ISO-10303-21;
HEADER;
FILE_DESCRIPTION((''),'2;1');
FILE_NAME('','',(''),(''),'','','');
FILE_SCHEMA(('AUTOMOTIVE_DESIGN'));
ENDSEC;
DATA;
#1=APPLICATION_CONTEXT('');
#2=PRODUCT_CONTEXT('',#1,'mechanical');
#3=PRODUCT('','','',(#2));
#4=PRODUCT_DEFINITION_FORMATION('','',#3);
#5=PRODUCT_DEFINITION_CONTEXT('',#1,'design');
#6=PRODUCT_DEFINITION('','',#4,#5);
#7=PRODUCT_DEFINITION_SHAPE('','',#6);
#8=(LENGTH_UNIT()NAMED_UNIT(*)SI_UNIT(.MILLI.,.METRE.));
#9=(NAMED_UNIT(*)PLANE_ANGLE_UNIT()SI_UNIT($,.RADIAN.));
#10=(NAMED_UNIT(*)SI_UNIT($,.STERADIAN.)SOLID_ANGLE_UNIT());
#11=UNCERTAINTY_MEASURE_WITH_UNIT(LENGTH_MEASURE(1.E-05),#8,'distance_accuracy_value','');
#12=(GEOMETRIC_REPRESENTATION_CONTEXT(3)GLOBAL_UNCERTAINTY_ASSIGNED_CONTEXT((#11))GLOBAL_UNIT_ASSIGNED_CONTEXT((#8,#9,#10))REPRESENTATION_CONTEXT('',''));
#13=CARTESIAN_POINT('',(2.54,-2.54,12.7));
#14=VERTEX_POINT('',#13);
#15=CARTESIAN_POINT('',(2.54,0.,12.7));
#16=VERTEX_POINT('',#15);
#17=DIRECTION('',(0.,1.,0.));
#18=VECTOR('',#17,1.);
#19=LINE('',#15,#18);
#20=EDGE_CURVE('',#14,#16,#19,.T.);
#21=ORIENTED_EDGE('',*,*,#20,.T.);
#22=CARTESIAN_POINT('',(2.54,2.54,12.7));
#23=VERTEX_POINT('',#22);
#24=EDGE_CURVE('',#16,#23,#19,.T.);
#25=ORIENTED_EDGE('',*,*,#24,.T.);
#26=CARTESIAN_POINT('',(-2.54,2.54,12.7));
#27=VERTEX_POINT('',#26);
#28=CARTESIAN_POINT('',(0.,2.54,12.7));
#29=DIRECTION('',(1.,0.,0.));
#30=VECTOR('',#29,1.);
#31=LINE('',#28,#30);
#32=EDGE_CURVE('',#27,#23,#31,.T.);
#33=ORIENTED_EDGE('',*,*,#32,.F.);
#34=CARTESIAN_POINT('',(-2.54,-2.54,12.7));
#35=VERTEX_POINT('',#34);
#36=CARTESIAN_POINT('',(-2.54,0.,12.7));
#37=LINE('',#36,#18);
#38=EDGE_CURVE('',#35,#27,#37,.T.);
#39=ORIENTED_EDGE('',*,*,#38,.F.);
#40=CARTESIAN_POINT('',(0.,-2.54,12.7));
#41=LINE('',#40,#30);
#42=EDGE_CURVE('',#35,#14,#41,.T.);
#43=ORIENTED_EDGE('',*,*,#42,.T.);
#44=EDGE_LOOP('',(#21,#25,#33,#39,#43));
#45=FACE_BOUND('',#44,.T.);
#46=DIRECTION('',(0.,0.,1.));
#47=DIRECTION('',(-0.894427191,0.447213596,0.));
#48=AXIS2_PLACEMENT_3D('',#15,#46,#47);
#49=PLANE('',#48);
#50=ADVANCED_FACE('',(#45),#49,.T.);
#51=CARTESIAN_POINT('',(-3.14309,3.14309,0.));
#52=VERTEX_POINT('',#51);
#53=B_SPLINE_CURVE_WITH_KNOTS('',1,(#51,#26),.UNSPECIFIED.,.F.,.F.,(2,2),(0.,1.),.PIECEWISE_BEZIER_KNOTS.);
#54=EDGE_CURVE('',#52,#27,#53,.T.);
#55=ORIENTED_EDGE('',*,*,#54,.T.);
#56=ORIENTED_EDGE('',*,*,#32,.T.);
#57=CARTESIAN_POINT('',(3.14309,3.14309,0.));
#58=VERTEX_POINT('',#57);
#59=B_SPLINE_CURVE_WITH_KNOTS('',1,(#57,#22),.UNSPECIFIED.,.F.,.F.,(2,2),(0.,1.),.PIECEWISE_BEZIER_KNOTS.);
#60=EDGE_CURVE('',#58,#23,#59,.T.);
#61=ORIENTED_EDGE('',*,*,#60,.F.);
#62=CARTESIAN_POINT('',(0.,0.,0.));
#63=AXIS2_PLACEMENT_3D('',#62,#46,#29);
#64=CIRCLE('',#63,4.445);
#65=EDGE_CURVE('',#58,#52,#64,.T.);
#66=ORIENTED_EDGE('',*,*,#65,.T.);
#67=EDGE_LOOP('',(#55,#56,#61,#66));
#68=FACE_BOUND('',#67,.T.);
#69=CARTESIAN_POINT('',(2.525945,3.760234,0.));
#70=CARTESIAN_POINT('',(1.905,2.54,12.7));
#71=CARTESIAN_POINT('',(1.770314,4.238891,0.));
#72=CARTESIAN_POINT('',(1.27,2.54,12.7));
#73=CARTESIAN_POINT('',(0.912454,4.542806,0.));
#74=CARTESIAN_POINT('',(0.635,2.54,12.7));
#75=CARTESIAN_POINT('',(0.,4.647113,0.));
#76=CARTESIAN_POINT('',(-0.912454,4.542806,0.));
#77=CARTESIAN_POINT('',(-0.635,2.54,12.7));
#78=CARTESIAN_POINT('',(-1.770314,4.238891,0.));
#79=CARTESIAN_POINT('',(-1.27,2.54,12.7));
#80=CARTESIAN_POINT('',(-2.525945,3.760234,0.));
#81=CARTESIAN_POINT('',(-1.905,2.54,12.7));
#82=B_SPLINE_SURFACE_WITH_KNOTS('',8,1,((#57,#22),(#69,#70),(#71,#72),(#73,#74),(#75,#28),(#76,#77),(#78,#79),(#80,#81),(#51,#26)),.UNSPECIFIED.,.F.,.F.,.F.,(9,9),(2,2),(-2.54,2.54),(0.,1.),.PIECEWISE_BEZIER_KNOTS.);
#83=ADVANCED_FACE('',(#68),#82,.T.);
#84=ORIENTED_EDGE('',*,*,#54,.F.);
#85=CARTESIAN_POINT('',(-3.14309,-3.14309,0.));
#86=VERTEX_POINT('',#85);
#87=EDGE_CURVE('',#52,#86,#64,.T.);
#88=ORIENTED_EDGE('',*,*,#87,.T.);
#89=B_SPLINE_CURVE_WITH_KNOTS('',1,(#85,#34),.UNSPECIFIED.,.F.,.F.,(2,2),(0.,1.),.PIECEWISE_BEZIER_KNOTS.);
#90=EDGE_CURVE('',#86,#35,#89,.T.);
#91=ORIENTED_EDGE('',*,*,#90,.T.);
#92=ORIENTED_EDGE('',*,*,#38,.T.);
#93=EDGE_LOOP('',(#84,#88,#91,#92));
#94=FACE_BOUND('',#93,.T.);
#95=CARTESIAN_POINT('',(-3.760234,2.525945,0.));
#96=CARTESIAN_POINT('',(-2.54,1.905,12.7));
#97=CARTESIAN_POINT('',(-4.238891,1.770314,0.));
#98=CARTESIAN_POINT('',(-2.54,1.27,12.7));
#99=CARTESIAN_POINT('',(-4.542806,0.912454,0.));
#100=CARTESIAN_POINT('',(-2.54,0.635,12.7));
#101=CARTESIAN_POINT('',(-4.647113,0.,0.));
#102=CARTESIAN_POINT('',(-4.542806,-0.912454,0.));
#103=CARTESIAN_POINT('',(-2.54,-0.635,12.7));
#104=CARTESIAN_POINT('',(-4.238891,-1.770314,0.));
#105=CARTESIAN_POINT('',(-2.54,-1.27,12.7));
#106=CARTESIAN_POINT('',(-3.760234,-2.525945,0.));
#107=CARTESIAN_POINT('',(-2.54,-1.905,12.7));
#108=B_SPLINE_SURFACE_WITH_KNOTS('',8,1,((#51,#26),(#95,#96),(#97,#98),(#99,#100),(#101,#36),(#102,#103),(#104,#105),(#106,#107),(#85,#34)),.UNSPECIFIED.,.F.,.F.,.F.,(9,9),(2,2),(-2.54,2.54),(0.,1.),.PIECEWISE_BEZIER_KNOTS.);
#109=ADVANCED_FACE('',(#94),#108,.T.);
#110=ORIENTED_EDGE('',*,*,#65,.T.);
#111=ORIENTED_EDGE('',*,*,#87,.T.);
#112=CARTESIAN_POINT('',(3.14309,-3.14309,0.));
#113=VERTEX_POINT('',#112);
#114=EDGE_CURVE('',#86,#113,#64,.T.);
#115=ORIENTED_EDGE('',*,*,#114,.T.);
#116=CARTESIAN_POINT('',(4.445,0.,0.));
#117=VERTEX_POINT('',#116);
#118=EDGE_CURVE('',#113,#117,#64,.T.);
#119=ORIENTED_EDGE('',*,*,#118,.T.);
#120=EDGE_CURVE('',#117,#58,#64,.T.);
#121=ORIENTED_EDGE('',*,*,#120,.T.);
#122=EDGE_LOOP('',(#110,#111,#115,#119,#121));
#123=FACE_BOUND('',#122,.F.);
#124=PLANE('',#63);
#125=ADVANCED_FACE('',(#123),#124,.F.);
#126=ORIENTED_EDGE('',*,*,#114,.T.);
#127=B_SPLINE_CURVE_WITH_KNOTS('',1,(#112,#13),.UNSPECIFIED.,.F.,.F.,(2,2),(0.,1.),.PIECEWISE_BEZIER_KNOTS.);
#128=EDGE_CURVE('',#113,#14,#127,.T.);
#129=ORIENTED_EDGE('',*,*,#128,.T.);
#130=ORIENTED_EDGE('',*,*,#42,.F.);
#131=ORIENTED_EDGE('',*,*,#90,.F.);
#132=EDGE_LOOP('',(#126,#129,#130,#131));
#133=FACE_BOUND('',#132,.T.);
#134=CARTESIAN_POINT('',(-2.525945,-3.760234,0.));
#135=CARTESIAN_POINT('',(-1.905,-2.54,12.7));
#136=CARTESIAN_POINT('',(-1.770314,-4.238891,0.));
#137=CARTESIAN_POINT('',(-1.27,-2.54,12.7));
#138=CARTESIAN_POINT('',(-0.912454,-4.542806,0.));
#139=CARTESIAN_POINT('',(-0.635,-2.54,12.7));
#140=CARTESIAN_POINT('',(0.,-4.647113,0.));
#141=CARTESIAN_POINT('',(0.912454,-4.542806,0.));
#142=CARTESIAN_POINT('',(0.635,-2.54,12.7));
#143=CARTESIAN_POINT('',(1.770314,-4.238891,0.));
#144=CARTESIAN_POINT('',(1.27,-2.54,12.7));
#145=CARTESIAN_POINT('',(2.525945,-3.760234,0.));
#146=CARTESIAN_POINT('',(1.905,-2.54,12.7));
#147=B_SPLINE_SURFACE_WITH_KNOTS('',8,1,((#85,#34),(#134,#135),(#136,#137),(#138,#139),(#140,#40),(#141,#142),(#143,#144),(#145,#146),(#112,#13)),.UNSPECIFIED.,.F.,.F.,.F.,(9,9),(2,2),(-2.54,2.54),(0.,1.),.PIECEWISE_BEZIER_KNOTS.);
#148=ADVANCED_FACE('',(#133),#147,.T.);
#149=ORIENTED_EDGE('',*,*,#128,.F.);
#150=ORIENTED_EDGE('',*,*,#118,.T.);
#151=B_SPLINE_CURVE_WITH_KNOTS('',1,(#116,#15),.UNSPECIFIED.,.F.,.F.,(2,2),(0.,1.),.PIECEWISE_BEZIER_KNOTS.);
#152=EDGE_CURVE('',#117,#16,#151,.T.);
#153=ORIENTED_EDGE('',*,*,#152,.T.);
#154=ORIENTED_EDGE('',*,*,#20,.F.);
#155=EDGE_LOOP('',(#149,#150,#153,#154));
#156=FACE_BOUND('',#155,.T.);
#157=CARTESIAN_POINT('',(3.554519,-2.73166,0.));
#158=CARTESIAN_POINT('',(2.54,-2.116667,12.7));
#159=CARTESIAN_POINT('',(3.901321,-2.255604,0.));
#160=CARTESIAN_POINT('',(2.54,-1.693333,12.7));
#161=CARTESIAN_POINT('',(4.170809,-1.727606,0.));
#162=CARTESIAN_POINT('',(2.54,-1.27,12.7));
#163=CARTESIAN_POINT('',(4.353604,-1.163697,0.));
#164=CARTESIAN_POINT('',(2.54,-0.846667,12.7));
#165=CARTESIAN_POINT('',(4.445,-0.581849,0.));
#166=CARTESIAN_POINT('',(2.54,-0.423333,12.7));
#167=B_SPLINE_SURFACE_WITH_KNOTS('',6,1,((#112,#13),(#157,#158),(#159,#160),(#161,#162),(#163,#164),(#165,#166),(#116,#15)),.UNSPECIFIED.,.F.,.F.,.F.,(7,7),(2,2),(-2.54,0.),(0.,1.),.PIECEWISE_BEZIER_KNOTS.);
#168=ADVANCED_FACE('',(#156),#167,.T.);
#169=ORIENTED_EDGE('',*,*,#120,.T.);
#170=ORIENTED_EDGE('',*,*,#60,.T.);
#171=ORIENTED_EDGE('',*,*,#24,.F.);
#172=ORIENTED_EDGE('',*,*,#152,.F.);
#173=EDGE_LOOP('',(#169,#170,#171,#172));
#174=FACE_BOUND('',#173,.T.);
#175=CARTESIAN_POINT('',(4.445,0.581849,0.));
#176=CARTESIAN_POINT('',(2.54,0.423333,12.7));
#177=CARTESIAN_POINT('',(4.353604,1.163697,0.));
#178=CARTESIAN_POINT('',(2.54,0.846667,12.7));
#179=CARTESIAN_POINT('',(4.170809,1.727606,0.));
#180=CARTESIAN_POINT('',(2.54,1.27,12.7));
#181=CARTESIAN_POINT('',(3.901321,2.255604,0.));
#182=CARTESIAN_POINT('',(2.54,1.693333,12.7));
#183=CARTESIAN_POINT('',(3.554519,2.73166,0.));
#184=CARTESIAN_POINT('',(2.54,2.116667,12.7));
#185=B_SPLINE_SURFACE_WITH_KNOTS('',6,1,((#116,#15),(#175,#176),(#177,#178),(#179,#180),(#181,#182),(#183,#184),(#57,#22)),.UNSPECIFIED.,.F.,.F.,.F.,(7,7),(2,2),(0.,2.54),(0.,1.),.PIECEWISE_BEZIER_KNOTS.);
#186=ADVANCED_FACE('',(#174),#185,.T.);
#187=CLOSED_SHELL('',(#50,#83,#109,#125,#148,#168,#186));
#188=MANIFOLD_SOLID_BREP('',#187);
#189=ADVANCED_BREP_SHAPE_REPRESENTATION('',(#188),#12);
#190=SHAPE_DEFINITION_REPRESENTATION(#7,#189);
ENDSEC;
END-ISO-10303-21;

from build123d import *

# Parameters (mm, degrees)
F0_R = 4.445
F2_W = 5.08
F2_H = 5.08


with BuildPart() as f3:
    # F0 (on Top) → F3 section 0
    with BuildSketch(Plane.XY):
        Circle(F0_R)
    # F2 (on offset) → F3 section 1
    with BuildSketch(Plane.XY.offset(12.7)):
        Rectangle(F2_W, F2_H)
    loft()


solid = f3.part
